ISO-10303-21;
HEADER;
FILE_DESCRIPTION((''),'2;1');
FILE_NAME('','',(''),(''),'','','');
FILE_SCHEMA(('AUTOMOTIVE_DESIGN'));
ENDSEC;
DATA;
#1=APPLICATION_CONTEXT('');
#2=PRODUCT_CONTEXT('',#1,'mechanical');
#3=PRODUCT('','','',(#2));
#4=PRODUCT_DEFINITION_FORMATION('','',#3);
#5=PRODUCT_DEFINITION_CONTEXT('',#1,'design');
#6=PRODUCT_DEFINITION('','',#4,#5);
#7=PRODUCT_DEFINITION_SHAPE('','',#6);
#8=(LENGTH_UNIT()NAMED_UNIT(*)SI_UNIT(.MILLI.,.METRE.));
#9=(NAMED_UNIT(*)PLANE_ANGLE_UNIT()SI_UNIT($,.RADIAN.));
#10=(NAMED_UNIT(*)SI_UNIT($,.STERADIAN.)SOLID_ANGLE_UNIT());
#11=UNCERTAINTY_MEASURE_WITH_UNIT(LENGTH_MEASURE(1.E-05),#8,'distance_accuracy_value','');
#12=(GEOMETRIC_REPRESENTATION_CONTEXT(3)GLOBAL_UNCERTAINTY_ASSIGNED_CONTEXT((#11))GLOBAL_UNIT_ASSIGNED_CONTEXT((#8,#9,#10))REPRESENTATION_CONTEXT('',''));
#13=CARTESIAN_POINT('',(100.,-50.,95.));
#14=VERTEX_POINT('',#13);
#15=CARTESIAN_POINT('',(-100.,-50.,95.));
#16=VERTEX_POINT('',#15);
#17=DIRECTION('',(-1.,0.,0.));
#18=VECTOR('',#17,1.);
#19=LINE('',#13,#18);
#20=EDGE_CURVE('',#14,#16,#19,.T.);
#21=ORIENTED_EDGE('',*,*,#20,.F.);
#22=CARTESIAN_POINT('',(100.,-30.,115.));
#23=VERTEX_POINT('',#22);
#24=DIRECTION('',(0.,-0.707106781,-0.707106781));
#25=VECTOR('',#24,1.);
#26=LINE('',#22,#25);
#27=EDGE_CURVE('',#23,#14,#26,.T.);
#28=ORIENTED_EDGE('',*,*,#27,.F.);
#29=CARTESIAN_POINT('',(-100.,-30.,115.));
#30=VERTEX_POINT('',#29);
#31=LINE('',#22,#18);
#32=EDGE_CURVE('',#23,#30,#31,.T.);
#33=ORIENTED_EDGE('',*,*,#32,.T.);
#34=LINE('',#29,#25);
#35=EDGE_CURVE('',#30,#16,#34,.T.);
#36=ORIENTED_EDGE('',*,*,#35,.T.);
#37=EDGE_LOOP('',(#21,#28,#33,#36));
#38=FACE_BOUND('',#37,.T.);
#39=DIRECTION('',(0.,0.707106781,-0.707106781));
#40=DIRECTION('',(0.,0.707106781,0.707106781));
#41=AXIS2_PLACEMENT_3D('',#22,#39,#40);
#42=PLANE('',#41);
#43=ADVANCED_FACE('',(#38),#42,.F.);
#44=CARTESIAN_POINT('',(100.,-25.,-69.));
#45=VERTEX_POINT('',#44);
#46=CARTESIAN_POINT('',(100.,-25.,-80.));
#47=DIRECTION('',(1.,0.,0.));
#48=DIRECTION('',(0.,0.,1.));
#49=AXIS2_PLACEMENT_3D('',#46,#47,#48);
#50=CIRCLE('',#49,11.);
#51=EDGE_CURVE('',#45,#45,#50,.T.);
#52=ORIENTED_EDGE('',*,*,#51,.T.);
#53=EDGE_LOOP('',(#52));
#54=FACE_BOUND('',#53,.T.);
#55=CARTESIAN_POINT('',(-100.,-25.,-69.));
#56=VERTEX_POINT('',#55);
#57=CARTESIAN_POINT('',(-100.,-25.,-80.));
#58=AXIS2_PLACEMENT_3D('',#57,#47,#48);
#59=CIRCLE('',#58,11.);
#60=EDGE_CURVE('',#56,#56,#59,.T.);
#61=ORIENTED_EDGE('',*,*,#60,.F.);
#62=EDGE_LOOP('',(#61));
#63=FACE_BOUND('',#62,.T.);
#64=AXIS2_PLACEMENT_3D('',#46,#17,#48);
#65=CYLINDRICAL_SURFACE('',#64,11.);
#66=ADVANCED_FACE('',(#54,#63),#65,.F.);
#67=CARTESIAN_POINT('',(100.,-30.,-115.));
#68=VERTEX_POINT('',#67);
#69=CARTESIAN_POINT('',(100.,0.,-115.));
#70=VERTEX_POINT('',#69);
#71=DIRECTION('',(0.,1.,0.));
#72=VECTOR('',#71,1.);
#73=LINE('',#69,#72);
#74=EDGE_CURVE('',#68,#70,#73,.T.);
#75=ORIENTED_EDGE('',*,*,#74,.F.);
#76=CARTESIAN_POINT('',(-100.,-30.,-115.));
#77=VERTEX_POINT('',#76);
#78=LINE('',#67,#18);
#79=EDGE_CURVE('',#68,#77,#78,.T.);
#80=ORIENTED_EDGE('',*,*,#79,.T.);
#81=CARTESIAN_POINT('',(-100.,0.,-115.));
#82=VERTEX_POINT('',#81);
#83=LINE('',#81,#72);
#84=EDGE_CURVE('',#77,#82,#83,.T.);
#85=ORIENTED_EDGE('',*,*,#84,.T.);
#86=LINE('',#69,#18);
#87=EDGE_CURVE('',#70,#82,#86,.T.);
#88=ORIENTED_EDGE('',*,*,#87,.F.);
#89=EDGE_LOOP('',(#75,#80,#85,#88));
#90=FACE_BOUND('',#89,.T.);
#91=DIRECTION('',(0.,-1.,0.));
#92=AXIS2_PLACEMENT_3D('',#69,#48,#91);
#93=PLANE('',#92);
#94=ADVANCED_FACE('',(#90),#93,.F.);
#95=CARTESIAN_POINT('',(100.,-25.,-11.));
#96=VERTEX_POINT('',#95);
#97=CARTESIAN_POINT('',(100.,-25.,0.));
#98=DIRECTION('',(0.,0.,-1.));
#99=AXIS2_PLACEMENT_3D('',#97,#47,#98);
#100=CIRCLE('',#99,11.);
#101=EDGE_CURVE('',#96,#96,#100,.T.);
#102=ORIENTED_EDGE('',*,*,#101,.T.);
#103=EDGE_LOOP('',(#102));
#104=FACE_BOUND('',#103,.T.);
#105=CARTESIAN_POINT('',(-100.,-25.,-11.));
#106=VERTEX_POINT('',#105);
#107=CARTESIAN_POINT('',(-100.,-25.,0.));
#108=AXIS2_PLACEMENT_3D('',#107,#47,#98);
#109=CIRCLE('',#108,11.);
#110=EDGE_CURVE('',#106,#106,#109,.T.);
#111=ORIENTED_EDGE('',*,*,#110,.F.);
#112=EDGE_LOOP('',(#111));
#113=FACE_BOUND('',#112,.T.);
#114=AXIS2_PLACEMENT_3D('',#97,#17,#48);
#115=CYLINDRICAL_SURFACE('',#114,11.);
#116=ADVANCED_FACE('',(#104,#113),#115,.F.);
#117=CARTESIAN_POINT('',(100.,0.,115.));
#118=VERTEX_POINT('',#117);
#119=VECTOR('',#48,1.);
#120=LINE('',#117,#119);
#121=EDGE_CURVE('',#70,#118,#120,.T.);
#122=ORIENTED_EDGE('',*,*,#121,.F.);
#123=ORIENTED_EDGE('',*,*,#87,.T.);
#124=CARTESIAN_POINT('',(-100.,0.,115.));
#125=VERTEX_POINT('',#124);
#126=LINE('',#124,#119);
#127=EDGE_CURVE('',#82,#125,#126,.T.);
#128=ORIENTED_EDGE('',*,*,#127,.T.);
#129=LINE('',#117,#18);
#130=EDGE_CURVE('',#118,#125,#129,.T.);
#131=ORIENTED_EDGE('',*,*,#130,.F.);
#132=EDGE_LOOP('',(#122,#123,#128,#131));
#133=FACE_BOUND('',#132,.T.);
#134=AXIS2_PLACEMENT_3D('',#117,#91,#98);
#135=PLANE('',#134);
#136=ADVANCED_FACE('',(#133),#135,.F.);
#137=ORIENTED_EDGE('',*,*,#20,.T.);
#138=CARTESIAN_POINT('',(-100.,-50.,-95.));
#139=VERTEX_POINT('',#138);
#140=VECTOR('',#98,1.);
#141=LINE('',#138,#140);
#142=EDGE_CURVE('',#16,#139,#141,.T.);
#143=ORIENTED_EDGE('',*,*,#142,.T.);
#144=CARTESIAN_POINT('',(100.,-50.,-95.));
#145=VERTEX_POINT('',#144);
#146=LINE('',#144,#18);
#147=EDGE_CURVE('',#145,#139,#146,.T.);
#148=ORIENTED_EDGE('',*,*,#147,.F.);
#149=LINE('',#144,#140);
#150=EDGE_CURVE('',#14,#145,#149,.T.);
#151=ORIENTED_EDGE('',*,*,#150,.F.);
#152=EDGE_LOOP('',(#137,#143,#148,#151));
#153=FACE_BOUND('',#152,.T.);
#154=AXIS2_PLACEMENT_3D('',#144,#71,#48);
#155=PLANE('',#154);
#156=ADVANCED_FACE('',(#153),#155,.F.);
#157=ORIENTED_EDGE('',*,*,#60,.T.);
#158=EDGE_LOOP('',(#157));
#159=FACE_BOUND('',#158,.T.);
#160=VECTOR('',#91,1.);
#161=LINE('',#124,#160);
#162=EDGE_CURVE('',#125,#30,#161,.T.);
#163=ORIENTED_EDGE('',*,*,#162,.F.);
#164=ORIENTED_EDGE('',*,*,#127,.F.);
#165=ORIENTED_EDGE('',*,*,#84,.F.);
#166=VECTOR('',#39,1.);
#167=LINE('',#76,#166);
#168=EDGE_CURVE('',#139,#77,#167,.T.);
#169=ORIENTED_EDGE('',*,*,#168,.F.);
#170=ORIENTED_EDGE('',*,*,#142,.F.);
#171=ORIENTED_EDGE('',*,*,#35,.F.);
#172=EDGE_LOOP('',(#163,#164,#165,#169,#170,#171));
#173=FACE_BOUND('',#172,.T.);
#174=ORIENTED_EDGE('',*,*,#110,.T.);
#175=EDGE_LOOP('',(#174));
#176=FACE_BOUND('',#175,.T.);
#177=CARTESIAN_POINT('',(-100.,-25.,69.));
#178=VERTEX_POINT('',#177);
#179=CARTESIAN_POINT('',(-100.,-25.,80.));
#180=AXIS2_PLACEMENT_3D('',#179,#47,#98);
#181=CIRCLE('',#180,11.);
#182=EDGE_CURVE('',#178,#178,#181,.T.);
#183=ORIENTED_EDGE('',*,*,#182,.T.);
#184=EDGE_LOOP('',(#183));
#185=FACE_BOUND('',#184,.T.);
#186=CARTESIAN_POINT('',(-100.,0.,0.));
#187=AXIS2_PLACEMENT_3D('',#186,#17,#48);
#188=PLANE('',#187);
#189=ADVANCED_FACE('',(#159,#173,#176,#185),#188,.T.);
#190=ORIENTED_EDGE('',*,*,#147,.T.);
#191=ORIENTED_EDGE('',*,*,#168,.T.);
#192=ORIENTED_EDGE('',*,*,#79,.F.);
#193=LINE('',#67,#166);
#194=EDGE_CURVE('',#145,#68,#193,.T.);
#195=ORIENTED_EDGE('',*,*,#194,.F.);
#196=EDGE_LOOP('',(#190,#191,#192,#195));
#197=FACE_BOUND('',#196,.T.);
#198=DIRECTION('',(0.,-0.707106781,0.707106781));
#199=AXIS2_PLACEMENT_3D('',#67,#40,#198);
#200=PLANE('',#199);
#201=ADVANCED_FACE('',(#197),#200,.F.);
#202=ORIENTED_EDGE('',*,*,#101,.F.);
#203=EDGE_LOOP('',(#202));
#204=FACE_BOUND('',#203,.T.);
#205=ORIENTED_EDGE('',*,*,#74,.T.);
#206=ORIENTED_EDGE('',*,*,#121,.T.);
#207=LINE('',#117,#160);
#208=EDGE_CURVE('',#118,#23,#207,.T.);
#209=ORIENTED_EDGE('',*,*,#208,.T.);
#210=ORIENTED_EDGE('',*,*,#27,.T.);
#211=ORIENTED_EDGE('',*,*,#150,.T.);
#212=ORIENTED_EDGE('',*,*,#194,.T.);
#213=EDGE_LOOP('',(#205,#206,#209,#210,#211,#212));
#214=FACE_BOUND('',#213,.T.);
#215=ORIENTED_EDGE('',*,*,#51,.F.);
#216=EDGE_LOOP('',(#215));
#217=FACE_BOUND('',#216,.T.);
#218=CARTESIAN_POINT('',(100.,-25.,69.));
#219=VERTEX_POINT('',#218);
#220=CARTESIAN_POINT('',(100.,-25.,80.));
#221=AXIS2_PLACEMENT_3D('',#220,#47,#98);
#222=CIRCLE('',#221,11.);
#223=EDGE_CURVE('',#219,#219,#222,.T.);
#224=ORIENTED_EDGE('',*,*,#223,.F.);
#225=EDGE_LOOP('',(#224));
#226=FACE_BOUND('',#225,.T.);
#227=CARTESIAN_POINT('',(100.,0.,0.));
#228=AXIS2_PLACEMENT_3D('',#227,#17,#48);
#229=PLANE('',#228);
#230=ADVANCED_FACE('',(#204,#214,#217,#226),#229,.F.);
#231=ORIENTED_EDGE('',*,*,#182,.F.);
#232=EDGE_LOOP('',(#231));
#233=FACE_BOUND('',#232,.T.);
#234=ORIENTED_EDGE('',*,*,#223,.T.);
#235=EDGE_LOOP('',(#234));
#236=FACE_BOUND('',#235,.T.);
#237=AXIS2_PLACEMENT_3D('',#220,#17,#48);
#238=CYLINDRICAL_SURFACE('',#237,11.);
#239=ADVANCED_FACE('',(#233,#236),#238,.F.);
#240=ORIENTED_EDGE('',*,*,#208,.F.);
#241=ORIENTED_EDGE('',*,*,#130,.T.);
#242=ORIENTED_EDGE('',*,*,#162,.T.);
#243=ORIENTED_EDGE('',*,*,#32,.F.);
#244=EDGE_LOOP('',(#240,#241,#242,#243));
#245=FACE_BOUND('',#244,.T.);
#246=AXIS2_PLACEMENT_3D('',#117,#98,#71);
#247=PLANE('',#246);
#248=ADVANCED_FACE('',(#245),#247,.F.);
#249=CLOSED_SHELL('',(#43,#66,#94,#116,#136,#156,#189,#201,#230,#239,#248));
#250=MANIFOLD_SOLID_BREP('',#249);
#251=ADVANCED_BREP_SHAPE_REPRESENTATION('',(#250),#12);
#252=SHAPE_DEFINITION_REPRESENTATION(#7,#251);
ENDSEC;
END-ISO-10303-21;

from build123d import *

# Parameters (mm, degrees)
SKIZZE1_R                       = 11
AUFSATZ_LINEAR_AUSTRAGEN1_DEPTH = 100


with BuildPart() as part:
    # Skizze1 → Aufsatz-Linear austragen1 (new, symmetric)
    with BuildSketch(Plane(origin=(0, 0, 0), x_dir=(0, 0, -1), z_dir=(1, 0, 0))):
        Polygon((-115, 0), (115, 0), (115, -30), (95, -50), (-95, -50), (-115, -30), align=None)
        with Locations((0, -25)):
            Circle(SKIZZE1_R, mode=Mode.SUBTRACT)
        with Locations((-80, -25)):
            Circle(SKIZZE1_R, mode=Mode.SUBTRACT)
        with Locations(Location((80, -25, 0), (0, 0, 180))):
            Circle(SKIZZE1_R, mode=Mode.SUBTRACT)
    extrude(amount=AUFSATZ_LINEAR_AUSTRAGEN1_DEPTH, both=True)


solid = part.part
